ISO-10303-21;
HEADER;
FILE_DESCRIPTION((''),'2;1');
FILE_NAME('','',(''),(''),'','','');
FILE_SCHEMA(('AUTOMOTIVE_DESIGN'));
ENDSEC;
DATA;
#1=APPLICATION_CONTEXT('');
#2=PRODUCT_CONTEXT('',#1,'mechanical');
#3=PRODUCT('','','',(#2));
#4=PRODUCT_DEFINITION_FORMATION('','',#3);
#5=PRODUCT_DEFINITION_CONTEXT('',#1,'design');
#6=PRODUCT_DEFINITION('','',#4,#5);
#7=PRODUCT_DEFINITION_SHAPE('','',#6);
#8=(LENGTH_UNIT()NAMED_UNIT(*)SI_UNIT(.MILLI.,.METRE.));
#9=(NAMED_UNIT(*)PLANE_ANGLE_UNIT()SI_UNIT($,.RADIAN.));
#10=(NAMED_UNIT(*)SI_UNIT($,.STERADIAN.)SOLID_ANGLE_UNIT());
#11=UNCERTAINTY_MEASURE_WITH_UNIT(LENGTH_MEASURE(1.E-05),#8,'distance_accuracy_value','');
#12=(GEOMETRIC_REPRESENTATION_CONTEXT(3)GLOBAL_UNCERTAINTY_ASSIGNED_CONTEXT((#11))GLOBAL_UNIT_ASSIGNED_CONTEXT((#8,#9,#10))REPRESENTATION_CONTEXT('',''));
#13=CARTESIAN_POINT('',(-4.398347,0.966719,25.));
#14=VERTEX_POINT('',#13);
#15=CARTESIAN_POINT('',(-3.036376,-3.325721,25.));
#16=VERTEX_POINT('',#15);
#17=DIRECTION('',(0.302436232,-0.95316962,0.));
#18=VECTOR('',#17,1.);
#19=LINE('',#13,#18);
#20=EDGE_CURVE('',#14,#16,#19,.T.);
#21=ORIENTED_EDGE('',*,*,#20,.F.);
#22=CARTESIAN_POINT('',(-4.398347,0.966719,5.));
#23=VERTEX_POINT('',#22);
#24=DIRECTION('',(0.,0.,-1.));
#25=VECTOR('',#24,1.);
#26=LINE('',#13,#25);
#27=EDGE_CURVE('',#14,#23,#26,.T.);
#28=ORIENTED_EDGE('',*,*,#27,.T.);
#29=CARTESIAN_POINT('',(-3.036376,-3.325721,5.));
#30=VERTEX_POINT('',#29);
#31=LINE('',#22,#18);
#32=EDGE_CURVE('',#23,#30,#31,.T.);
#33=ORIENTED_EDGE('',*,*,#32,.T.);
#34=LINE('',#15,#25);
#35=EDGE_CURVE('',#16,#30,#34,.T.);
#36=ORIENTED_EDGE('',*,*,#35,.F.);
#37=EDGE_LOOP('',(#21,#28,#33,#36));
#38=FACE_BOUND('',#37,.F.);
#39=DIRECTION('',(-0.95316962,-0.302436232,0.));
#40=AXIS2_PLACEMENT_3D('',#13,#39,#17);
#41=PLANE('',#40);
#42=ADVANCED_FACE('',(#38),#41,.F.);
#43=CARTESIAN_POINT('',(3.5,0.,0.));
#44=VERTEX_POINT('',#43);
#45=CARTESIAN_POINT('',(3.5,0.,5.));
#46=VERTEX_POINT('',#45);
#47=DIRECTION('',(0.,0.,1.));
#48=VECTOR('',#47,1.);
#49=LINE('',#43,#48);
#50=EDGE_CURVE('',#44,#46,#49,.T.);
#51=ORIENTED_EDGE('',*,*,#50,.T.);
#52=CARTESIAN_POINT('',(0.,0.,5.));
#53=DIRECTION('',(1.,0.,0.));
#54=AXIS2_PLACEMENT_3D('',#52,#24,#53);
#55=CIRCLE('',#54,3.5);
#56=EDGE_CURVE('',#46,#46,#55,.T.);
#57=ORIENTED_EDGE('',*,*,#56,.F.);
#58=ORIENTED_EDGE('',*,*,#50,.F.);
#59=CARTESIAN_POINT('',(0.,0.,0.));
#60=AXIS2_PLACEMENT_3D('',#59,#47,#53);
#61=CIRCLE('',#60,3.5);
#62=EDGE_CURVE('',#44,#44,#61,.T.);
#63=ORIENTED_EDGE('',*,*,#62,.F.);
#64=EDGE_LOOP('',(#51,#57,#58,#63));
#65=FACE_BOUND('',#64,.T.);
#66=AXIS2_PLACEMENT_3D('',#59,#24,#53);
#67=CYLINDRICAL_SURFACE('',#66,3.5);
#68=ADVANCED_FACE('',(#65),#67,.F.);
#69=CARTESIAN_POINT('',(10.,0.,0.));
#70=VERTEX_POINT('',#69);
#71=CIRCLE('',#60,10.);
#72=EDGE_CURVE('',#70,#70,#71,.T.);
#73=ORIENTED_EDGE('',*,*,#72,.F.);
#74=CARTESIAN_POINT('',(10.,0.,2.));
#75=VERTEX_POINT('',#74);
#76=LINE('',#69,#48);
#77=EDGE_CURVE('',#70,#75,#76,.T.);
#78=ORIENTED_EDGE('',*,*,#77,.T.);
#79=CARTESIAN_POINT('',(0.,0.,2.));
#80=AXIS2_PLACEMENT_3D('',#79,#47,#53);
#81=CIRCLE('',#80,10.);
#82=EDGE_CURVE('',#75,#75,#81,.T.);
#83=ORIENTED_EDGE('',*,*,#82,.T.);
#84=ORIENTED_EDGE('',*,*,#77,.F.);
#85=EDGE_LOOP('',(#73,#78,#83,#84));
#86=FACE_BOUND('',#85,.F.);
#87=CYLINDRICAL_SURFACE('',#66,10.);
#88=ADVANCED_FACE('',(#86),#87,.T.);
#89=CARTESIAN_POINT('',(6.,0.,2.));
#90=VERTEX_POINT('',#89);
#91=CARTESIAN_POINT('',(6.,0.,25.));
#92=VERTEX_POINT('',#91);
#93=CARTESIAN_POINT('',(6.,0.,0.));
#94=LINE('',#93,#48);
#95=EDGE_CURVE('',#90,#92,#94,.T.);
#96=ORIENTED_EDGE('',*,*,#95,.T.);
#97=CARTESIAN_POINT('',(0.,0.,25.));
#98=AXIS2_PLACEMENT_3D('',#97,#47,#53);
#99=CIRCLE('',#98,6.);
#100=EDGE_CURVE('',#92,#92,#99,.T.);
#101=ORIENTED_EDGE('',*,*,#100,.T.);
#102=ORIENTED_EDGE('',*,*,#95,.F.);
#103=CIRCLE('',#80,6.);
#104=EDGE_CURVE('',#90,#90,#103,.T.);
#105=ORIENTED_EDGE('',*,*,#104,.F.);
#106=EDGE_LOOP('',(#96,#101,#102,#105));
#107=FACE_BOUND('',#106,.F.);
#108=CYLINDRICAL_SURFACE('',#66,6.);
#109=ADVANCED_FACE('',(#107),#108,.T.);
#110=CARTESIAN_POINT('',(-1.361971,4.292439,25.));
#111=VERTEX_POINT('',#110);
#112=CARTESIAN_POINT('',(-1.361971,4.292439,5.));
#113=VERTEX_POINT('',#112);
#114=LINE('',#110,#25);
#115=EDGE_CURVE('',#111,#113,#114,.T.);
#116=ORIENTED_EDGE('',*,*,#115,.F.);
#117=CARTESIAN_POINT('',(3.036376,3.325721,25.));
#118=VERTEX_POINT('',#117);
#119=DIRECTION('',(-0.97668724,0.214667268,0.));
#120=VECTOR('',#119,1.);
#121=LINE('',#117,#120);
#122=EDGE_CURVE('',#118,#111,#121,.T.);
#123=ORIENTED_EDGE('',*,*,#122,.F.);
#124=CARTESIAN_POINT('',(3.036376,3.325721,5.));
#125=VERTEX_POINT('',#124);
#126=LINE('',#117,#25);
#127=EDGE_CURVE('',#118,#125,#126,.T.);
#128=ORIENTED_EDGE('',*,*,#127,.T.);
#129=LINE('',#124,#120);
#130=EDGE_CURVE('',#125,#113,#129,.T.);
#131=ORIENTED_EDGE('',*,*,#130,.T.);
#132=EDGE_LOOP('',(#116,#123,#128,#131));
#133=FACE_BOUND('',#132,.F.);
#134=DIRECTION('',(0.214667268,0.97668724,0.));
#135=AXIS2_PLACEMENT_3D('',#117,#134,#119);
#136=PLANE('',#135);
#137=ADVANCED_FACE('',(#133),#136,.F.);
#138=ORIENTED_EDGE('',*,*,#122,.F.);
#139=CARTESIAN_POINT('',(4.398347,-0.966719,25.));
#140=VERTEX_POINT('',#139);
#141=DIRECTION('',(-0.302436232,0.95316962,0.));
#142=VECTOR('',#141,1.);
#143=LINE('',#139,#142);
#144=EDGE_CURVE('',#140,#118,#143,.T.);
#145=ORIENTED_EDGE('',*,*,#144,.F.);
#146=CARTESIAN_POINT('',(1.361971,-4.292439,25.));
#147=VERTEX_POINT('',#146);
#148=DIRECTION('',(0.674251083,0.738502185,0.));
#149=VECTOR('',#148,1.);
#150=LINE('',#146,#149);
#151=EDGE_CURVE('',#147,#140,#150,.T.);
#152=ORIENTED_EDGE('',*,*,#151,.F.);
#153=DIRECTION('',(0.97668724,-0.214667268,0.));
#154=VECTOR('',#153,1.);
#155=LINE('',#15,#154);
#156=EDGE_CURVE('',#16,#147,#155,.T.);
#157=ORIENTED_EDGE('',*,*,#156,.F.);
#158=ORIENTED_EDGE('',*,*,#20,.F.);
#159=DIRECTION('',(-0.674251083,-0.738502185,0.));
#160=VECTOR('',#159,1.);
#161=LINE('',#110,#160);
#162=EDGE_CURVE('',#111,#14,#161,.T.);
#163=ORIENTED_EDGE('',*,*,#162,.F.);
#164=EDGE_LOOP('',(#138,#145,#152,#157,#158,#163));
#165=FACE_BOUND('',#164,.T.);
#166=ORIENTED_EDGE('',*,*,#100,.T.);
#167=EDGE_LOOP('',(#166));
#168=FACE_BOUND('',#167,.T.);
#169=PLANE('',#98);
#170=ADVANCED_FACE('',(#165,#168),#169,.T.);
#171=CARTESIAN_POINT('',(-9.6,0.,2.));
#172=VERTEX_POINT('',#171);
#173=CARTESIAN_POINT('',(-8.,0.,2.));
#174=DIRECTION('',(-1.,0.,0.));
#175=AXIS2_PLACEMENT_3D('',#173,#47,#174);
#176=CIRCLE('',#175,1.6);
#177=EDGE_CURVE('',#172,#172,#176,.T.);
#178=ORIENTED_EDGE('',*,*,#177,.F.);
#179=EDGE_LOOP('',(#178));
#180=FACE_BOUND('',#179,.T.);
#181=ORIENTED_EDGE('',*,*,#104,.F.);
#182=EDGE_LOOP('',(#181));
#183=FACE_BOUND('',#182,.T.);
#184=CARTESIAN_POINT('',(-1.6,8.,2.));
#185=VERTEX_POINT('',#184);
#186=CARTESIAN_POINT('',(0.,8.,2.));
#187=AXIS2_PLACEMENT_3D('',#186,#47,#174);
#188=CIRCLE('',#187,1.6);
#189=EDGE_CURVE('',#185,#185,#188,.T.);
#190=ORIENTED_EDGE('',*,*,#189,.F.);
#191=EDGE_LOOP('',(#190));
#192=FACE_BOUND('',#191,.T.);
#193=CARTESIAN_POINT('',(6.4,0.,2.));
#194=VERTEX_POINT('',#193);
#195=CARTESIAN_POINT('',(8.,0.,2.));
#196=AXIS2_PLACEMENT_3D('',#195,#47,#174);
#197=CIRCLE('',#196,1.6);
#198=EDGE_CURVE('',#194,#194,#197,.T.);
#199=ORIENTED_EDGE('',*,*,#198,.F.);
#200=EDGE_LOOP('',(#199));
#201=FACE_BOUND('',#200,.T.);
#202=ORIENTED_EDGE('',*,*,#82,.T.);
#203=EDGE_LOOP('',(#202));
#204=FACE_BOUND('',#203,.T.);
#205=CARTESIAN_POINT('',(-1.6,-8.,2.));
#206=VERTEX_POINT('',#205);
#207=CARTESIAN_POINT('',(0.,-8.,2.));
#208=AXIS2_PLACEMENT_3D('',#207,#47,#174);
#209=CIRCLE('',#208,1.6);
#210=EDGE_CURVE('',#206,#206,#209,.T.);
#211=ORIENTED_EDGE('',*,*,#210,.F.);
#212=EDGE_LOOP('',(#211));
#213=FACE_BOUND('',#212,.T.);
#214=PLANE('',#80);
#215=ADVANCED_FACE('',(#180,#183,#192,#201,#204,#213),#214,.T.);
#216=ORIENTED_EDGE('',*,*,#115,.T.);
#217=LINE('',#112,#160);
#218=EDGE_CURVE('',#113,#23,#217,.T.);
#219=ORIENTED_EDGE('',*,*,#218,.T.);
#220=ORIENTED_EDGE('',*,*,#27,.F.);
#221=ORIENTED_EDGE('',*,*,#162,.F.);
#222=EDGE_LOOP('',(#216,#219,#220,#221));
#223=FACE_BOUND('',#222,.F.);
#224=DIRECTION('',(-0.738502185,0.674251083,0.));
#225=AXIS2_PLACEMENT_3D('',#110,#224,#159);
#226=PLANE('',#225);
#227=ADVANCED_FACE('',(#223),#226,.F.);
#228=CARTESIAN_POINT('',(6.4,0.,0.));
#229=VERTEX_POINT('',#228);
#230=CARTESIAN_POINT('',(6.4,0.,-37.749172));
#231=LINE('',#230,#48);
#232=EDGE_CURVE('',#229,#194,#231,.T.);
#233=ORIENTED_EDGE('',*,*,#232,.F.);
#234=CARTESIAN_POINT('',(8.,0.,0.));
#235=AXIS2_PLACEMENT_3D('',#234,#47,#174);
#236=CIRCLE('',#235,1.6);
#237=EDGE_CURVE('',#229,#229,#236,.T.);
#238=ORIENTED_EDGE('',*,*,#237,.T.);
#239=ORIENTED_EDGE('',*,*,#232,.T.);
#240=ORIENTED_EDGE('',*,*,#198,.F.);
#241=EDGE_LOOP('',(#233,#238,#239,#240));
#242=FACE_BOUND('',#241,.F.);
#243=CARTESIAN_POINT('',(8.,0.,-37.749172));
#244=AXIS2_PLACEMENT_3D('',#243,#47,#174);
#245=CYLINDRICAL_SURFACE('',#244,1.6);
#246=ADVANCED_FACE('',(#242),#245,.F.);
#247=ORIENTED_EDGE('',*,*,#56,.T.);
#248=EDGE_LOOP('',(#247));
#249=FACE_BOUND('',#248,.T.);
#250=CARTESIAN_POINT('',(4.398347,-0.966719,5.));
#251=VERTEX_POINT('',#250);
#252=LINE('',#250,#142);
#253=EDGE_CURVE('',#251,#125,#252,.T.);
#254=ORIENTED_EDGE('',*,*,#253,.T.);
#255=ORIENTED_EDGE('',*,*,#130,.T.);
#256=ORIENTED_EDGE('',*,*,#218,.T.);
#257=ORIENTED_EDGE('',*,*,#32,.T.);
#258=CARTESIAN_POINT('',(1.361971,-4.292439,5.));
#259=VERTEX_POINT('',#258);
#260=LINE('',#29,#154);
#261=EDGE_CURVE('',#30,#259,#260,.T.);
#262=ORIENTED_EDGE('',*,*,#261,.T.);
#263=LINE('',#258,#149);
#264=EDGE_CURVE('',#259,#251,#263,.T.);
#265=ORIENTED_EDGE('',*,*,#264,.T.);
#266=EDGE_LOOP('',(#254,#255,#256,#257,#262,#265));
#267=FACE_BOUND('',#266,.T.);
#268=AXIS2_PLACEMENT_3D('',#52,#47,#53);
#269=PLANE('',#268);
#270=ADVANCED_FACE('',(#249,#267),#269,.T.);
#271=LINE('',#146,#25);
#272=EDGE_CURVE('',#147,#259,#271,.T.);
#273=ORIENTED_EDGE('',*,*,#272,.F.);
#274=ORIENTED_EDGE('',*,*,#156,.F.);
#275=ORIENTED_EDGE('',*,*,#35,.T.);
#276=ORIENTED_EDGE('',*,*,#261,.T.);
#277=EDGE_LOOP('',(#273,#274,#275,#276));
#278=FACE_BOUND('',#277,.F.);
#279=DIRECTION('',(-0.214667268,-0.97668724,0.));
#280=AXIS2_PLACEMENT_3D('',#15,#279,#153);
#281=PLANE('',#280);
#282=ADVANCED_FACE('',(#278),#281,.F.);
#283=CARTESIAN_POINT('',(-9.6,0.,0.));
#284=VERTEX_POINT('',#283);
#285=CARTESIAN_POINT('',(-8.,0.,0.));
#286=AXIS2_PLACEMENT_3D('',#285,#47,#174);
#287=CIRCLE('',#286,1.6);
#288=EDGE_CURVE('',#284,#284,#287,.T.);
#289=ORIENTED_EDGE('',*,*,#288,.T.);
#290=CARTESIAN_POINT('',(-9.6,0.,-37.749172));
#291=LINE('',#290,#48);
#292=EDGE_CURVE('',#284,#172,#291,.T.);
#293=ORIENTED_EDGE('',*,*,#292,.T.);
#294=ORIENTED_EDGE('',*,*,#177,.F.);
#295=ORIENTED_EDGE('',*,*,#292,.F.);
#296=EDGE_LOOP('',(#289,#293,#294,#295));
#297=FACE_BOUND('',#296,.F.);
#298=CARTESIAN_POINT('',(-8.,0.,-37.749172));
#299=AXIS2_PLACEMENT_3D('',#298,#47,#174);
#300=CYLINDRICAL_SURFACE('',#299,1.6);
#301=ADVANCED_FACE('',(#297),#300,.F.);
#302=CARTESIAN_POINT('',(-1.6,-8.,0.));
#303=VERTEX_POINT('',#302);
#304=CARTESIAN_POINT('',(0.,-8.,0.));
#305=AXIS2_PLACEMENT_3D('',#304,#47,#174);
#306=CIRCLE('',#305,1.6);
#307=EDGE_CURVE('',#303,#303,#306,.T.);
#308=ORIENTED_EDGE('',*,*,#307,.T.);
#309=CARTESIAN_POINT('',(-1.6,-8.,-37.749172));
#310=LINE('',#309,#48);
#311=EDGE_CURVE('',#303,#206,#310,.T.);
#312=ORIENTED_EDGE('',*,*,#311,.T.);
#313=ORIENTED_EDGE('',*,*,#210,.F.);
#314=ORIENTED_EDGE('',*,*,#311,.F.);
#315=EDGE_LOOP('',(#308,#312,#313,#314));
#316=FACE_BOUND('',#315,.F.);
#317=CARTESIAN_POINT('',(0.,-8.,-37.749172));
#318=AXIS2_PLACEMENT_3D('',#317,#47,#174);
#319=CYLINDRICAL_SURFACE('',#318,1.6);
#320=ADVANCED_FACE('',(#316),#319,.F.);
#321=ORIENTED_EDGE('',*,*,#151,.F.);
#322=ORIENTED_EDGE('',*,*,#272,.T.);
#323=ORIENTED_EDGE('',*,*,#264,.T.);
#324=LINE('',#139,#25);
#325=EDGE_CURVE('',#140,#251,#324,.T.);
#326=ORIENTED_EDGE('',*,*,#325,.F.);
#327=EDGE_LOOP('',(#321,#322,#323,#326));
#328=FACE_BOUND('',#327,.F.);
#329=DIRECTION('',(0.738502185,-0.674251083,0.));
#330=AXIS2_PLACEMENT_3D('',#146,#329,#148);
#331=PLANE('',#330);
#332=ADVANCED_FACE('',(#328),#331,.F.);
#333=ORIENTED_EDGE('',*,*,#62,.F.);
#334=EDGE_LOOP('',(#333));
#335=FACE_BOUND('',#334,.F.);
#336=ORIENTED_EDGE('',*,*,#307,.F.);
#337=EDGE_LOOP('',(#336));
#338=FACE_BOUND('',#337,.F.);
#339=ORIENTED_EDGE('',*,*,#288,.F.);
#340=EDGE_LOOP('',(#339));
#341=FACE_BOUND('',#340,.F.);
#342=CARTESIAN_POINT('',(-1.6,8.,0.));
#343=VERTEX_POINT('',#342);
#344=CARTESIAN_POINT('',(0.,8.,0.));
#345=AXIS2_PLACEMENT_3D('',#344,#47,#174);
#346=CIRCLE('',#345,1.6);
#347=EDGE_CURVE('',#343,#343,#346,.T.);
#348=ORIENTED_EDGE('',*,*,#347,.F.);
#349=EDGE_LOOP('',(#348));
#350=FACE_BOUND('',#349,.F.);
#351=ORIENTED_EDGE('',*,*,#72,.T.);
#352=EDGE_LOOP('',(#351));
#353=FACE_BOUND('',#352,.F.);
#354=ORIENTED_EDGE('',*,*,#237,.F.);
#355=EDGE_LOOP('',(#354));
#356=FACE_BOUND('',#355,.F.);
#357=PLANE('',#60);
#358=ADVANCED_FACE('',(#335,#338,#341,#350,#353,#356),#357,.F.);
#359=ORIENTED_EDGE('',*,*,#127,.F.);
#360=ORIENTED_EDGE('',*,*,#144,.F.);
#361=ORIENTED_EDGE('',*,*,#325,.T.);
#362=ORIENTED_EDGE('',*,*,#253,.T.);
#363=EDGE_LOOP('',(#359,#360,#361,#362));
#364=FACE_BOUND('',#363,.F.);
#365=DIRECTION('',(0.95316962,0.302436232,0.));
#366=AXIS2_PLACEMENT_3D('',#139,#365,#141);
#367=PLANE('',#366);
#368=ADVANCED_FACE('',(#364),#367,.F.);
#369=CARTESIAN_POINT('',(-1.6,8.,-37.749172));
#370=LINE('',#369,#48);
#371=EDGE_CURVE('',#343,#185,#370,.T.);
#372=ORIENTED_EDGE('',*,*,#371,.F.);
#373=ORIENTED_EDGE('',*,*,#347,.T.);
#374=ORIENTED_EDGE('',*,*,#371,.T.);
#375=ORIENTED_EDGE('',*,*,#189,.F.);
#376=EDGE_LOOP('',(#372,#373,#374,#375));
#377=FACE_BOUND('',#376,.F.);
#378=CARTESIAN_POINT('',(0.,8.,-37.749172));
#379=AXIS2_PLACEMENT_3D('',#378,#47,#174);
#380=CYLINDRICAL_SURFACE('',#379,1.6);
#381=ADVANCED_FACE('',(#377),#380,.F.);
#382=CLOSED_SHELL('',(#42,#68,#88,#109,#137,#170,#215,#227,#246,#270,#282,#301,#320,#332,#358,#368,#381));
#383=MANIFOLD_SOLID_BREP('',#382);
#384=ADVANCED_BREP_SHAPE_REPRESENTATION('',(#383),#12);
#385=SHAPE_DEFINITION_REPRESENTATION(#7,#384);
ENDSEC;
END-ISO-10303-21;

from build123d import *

# Parameters (mm, degrees)
F0_R     = 10
F0_R_2   = 6
F1_DEPTH = 2
F0_R_3   = 3.5
F2_DEPTH = 25
F4_DEPTH = 20
F5_D     = 3.2


with BuildPart() as f1:
    # F0 (on Top) → F1 (new body)
    with BuildSketch(Plane.XY):
        Circle(F0_R)
        Circle(F0_R_2, mode=Mode.SUBTRACT)
    extrude(amount=F1_DEPTH)

    # F0 (on Top) → F2 (join)
    with BuildSketch(Plane.XY):
        Circle(F0_R_2)
        Circle(F0_R_3, mode=Mode.SUBTRACT)
    extrude(amount=F2_DEPTH)

    # F3 (on face) → F4 (cut)
    with BuildSketch(Plane.XY.offset(25)):
        Polygon((1.361971, -4.292439), (4.398347, -0.966719), (3.036376, 3.325721), (-1.361971, 4.292439), (-4.398347, 0.966719), (-3.036376, -3.325721), align=None)
    extrude(amount=-F4_DEPTH, mode=Mode.SUBTRACT)

    # F5 (through all)
    with Locations(Plane(origin=(0, 0, 0), x_dir=(1, 0, 0), z_dir=(0, 0, -1))):
        with Locations((-8, 0), (0, 8), (8, 0), (0, -8)):
            Hole(F5_D / 2)


solid = f1.part
